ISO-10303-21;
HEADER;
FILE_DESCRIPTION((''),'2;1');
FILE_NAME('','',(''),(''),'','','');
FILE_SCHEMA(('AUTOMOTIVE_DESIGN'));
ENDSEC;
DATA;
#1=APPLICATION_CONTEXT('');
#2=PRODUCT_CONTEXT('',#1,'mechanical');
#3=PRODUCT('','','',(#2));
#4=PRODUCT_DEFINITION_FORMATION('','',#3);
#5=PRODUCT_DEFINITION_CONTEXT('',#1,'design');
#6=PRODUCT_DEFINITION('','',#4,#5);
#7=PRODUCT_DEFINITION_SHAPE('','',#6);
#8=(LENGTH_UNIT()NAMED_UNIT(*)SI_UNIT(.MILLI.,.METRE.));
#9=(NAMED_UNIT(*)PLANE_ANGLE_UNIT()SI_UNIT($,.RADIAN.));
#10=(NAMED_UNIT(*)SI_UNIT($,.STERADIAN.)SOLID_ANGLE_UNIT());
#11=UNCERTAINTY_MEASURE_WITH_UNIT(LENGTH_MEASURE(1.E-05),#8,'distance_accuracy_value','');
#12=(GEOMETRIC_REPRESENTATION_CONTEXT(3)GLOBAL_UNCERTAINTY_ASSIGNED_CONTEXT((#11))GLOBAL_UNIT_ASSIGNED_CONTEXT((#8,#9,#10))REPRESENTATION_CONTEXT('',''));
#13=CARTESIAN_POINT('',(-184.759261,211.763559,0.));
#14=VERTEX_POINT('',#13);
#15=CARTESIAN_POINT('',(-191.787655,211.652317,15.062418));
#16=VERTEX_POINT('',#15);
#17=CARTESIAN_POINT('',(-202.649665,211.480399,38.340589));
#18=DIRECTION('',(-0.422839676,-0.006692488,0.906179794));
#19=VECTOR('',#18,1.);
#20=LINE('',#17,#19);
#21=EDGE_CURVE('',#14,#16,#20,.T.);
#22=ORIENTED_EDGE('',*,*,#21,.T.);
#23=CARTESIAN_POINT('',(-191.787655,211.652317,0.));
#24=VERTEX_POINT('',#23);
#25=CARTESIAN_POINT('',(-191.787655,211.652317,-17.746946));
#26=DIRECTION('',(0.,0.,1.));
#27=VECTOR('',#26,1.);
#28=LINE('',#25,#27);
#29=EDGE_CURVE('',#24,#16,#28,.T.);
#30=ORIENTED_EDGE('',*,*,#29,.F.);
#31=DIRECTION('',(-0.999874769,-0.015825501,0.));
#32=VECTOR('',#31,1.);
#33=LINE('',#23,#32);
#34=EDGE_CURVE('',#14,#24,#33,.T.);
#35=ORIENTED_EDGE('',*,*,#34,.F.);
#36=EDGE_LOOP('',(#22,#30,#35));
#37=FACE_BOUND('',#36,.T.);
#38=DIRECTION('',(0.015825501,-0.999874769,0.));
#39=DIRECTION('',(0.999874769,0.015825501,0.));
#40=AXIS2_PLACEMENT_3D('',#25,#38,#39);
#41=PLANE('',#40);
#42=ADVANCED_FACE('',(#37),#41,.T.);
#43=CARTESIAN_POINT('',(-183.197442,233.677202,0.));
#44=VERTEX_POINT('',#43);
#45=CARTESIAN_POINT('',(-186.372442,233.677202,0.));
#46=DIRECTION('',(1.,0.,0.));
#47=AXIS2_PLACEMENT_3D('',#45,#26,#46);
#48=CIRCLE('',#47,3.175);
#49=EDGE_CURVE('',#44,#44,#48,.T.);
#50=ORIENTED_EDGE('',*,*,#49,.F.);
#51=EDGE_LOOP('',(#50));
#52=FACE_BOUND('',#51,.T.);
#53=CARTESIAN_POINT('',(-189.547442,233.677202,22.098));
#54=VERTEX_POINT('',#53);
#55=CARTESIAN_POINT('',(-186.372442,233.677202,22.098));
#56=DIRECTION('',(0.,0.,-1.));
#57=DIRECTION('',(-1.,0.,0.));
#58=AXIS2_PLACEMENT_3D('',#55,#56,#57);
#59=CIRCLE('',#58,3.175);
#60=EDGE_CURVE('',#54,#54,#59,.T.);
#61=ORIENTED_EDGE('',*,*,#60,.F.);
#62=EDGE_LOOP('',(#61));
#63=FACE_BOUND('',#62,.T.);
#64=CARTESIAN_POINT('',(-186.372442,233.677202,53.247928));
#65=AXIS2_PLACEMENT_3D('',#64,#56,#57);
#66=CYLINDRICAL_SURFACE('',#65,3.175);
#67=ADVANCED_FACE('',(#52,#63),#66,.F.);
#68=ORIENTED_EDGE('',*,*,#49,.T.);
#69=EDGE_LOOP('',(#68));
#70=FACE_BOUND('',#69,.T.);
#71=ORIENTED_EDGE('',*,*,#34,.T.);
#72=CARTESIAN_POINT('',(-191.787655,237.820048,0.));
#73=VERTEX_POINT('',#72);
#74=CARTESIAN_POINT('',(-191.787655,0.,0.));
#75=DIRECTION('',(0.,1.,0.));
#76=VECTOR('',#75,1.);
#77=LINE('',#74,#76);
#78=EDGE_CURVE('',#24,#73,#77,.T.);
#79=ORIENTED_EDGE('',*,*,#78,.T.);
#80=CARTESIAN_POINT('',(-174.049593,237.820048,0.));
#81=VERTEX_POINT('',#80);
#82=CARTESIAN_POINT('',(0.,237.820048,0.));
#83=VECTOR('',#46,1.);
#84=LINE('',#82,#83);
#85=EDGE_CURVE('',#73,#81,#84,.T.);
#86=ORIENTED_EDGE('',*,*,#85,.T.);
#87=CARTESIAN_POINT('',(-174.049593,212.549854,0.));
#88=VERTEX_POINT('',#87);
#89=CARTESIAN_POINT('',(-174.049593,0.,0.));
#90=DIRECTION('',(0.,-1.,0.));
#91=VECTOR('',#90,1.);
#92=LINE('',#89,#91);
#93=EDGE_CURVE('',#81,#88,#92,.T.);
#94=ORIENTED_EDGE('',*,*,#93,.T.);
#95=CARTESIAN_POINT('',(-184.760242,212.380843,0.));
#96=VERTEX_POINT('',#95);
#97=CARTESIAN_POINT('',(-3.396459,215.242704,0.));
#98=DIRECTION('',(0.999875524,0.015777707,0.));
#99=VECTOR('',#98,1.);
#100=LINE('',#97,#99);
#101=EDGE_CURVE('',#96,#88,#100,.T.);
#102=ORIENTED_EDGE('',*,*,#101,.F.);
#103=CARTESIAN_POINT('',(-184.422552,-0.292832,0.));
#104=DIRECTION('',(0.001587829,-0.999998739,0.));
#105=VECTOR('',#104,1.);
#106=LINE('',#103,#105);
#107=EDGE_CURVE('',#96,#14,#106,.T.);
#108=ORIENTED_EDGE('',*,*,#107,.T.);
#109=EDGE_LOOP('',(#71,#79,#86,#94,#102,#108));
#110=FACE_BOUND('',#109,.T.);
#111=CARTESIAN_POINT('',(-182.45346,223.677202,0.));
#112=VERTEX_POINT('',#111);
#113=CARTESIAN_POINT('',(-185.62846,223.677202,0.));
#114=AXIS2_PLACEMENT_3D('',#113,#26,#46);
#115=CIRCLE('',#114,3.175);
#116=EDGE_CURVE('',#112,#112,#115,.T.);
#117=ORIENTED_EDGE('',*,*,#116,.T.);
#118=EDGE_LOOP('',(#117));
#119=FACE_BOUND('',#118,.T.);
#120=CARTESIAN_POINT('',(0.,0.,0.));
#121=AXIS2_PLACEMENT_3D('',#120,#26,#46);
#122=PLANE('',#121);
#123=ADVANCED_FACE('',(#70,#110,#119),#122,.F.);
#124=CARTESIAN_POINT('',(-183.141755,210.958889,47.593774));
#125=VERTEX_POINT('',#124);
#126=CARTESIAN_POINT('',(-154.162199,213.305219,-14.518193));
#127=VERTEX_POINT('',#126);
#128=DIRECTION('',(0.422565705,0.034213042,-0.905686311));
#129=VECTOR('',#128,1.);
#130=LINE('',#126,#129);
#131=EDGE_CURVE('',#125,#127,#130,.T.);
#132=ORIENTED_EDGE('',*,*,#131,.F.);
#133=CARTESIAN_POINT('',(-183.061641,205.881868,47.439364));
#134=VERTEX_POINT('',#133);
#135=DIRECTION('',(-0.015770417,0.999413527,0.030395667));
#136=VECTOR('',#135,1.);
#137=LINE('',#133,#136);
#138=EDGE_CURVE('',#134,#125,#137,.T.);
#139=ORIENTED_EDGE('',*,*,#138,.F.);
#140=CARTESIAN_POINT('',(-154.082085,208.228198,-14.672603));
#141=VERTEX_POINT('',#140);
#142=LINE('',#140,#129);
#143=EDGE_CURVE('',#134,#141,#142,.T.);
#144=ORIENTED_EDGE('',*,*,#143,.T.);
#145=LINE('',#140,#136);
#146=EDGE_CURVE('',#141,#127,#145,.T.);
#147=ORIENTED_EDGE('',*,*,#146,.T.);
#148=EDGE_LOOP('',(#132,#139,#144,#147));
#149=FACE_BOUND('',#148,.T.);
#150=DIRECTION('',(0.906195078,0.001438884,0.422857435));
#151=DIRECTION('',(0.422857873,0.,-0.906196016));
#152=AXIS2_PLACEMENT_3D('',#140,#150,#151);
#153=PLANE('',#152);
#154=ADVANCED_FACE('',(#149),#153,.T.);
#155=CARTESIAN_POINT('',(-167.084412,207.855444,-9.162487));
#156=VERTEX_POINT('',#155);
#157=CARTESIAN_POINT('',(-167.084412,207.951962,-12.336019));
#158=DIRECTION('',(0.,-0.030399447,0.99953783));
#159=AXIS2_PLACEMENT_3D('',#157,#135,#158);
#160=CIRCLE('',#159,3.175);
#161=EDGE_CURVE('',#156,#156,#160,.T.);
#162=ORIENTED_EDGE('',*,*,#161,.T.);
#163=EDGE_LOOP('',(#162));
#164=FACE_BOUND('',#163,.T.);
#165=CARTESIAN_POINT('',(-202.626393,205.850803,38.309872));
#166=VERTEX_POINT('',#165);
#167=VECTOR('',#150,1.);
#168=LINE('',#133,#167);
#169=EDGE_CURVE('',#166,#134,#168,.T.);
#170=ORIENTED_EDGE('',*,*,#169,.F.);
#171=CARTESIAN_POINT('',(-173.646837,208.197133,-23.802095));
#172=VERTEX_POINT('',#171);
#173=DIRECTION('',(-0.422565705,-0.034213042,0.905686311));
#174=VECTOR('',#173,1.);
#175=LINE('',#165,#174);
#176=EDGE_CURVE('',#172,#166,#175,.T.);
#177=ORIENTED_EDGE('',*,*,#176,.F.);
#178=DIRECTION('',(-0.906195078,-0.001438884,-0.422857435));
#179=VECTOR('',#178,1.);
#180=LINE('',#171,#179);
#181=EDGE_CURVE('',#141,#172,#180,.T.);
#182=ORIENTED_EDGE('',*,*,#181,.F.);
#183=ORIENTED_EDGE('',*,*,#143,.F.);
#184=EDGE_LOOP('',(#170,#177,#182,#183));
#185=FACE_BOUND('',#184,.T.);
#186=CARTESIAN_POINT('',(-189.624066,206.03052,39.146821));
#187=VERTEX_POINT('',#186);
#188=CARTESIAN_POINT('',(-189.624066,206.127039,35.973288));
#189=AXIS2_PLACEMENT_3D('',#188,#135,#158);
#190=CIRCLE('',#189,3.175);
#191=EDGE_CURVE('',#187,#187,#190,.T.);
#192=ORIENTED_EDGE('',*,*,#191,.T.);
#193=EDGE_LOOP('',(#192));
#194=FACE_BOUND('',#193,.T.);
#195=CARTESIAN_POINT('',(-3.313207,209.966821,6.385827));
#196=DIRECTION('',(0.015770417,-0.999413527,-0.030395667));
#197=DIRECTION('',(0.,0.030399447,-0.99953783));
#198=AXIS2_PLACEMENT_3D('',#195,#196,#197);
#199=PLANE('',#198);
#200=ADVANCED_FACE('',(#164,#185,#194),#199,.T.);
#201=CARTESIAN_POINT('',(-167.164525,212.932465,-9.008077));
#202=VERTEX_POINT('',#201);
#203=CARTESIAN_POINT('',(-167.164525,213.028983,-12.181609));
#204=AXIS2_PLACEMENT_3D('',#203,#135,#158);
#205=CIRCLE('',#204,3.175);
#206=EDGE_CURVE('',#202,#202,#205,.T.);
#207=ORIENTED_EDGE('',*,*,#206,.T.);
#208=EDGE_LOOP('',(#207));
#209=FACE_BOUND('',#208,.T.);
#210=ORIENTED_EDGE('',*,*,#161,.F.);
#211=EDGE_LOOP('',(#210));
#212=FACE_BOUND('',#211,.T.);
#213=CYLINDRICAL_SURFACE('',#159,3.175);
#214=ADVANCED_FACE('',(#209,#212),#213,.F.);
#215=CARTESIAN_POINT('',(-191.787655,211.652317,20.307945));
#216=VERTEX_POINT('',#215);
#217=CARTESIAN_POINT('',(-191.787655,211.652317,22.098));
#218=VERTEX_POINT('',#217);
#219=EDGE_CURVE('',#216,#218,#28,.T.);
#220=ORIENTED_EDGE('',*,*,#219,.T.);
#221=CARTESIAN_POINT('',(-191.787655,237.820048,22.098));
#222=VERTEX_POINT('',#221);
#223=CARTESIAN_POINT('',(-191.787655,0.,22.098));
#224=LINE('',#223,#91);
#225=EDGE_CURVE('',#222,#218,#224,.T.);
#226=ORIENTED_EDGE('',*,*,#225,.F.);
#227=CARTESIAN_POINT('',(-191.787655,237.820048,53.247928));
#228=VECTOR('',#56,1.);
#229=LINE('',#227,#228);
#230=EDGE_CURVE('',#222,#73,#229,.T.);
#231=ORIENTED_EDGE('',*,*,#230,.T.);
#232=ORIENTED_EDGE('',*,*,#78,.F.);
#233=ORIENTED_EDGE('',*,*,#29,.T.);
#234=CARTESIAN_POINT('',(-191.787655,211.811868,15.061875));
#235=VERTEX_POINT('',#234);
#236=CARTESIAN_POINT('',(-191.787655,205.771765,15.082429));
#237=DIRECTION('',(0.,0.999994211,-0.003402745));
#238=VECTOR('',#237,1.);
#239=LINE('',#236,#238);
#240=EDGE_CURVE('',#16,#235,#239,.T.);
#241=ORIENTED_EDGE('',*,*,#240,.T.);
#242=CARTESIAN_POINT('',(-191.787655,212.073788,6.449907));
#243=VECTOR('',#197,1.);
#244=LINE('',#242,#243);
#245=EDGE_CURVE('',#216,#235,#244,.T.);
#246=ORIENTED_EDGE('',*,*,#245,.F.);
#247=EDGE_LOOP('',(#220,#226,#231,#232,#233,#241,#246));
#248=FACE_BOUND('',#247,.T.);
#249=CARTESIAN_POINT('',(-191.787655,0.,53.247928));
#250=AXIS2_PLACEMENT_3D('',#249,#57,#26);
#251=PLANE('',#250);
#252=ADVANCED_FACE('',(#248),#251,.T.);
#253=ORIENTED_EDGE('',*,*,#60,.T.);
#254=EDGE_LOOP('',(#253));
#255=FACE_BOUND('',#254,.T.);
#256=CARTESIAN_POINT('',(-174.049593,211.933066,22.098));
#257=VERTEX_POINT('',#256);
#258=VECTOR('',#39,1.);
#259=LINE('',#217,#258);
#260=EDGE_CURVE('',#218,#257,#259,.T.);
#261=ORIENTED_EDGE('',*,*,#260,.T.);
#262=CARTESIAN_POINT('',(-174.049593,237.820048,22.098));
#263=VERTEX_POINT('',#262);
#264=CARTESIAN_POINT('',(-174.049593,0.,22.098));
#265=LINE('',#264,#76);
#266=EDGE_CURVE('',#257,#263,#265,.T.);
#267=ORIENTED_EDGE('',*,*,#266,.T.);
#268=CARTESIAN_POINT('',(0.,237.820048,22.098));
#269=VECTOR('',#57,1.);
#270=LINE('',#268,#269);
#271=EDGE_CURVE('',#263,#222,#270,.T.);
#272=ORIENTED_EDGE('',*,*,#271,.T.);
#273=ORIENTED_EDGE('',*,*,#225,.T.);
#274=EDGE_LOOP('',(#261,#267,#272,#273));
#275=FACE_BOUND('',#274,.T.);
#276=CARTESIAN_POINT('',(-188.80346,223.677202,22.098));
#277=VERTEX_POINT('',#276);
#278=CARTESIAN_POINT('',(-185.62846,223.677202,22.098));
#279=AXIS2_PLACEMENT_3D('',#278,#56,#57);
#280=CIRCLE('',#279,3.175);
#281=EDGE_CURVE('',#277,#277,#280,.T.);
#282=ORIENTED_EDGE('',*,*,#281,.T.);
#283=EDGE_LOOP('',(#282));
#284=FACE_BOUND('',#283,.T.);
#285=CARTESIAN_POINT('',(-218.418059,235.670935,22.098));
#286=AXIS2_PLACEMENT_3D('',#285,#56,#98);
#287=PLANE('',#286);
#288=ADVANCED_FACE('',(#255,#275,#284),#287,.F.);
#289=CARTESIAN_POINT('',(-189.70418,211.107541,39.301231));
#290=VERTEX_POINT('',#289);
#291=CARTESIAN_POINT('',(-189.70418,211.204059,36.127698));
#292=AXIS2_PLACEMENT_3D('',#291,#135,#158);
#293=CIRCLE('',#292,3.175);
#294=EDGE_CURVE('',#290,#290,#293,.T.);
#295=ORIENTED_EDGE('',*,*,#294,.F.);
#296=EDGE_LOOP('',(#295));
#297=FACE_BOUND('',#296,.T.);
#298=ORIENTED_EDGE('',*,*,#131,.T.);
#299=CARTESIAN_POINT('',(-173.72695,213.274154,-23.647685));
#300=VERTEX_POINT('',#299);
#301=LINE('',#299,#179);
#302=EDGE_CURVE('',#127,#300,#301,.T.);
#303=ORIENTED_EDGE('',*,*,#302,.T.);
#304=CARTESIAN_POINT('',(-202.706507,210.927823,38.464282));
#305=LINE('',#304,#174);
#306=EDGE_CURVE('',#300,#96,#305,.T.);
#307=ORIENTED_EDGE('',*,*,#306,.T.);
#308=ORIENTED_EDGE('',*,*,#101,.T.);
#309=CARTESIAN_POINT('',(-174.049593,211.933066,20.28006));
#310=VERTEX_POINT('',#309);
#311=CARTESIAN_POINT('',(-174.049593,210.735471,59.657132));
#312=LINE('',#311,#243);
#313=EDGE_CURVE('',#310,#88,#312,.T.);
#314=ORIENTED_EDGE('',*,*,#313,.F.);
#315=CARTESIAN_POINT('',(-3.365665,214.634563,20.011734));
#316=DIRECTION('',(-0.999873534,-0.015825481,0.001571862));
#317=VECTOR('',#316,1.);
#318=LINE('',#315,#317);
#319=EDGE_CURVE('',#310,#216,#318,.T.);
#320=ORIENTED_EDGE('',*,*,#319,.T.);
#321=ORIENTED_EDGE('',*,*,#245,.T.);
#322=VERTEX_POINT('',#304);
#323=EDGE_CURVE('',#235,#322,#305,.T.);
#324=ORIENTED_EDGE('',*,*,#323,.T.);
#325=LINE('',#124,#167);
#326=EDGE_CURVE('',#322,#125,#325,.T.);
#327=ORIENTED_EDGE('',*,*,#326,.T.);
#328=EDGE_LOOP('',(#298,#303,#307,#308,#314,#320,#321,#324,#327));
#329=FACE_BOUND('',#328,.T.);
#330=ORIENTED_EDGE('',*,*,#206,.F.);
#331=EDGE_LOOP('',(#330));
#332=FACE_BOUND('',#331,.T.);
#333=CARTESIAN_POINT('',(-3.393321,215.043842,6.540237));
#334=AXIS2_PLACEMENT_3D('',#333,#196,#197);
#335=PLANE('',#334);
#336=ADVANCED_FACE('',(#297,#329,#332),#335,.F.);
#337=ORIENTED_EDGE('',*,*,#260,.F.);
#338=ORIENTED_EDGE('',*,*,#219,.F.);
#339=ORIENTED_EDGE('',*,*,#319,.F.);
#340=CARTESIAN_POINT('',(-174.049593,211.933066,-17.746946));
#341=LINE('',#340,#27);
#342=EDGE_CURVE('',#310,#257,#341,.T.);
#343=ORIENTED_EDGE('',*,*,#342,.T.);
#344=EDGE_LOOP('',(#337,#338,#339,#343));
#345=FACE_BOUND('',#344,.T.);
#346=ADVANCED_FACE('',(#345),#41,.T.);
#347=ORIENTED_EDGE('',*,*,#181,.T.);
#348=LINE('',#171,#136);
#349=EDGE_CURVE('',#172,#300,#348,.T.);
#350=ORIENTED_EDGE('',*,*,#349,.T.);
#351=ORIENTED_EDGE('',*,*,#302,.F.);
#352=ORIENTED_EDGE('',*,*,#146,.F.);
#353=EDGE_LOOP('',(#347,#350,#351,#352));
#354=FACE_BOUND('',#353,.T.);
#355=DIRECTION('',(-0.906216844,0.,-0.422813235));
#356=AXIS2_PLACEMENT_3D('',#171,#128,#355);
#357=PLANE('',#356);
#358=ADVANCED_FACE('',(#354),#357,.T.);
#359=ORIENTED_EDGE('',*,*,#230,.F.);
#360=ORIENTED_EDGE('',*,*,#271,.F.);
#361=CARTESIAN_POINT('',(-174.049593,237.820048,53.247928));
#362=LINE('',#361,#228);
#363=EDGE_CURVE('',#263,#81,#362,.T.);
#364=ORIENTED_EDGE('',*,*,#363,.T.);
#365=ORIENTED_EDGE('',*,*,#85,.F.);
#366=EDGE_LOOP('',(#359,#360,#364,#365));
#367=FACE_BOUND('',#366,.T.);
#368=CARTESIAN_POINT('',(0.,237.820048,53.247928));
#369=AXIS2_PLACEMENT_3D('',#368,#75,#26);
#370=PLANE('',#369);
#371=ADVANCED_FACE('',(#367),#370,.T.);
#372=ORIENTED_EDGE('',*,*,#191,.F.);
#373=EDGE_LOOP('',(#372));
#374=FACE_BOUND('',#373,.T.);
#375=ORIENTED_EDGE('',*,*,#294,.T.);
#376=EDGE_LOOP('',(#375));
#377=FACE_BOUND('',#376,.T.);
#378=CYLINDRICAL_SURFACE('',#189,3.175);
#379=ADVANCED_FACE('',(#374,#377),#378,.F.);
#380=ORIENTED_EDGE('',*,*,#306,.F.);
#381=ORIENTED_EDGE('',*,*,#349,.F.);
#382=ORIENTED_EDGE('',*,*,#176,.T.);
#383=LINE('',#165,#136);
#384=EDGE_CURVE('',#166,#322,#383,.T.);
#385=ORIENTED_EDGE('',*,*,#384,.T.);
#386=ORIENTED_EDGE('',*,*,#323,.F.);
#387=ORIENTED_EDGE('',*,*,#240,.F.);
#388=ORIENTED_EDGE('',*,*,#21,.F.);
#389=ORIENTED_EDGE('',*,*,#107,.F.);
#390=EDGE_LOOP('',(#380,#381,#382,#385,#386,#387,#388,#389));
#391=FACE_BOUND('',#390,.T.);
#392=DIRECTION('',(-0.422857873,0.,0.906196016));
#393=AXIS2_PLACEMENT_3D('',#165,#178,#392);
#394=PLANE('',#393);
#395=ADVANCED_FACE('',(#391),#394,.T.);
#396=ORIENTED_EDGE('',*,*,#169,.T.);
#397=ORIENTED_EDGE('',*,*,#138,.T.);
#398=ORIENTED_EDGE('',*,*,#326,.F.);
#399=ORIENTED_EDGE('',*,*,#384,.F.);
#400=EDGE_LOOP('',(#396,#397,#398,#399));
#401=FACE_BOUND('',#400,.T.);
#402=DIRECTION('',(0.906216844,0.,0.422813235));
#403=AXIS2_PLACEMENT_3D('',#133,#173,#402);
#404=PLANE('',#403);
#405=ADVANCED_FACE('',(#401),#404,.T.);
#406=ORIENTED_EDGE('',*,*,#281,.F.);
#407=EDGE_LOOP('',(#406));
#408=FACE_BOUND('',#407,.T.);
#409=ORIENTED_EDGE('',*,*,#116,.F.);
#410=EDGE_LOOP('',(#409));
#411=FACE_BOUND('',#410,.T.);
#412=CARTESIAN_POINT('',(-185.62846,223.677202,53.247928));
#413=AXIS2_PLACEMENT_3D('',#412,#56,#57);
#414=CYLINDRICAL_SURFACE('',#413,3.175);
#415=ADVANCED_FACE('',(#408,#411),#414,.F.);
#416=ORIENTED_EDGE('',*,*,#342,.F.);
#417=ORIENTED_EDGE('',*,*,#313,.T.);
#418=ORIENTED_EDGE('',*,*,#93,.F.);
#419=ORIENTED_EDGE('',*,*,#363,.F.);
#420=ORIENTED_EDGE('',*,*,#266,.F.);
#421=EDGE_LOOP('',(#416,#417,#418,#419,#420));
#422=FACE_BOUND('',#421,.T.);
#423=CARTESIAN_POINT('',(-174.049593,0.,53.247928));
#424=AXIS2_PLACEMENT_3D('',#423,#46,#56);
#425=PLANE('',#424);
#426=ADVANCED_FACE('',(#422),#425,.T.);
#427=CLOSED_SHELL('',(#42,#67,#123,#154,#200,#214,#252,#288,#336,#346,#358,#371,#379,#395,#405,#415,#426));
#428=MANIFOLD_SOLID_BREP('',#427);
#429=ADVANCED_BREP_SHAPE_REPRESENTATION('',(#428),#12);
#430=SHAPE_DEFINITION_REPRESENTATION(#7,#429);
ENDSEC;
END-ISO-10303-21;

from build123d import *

# Parameters (mm, degrees)
SKETCH1_W           = 17.738061562
SKETCH1_H           = 25.606233094
SKETCH1_R           = 3.175
BOSS_EXTRUDE1_DEPTH = 22.098
SKETCH2_R           = 3.175
BOSS_EXTRUDE2_DEPTH = 5.08
BOSS_EXTRUDE3_REACH = 317.84


with BuildPart() as part:
    # Sketch1 → Boss-Extrude1 (new body)
    with BuildSketch(Plane.XY):
        with Locations((-182.918624156, 225.016931251)):
            Rectangle(SKETCH1_W, SKETCH1_H)
        with Locations(Location((-185.628460018, 223.67720197, 0), (0, 0, 180))):
            Circle(SKETCH1_R, mode=Mode.SUBTRACT)
        with Locations(Location((-186.37244208, 233.67720197, 0), (0, 0, 180))):
            Circle(SKETCH1_R, mode=Mode.SUBTRACT)
    extrude(amount=BOSS_EXTRUDE1_DEPTH)

    # Sketch2 → Boss-Extrude2 (add)
    with BuildSketch(Plane(origin=(-3.393321114, 215.043841855, 6.540236681), x_dir=(0.9998756392437432, 0.015763128213975224, 0.00047941195833239283), z_dir=(-0.01577041682759253, 0.9994135267149823, 0.030395666997209747))):
        Polygon((-199.337975212, -32.034415653), (-170.354814822, 30.120172382), (-150.787629699, 20.995844111), (-179.77079009, -41.158743924), align=None)
        with Locations(Location((-186.334031496, -29.690514452, 0), (0, 0, 270))):
            Circle(SKETCH2_R, mode=Mode.SUBTRACT)
        with Locations(Location((-163.791573415, 18.651942909, 0), (0, 0, 270))):
            Circle(SKETCH2_R, mode=Mode.SUBTRACT)
    extrude(amount=-BOSS_EXTRUDE2_DEPTH)

    # Boss-Extrude3: up to this face of the body (flat: up to its plane)
    boss_extrude3_end = Plane(part.part.faces().sort_by_distance((-182.444308909, 224.507634503, 0))[0])
    # Sketch3 → Boss-Extrude3 (add, up to the picked face)
    with BuildSketch(Plane.XY.offset(22.098), mode=Mode.PRIVATE) as boss_extrude3_sk1:
        Polygon((-191.787654937, 212.213814704), (-191.787654937, 211.652316966), (-174.049593375, 211.933065835), (-174.049593375, 212.213814704), align=None)
    boss_extrude3_tool1 = split(extrude(boss_extrude3_sk1.sketch, amount=-BOSS_EXTRUDE3_REACH, mode=Mode.PRIVATE), bisect_by=boss_extrude3_end, keep=Keep.BOTH, mode=Mode.PRIVATE)
    add(boss_extrude3_tool1.solids().sort_by(Axis((-183.904072, 211.995454, 22.098), (0, 0, -1)))[0])


solid = part.part
